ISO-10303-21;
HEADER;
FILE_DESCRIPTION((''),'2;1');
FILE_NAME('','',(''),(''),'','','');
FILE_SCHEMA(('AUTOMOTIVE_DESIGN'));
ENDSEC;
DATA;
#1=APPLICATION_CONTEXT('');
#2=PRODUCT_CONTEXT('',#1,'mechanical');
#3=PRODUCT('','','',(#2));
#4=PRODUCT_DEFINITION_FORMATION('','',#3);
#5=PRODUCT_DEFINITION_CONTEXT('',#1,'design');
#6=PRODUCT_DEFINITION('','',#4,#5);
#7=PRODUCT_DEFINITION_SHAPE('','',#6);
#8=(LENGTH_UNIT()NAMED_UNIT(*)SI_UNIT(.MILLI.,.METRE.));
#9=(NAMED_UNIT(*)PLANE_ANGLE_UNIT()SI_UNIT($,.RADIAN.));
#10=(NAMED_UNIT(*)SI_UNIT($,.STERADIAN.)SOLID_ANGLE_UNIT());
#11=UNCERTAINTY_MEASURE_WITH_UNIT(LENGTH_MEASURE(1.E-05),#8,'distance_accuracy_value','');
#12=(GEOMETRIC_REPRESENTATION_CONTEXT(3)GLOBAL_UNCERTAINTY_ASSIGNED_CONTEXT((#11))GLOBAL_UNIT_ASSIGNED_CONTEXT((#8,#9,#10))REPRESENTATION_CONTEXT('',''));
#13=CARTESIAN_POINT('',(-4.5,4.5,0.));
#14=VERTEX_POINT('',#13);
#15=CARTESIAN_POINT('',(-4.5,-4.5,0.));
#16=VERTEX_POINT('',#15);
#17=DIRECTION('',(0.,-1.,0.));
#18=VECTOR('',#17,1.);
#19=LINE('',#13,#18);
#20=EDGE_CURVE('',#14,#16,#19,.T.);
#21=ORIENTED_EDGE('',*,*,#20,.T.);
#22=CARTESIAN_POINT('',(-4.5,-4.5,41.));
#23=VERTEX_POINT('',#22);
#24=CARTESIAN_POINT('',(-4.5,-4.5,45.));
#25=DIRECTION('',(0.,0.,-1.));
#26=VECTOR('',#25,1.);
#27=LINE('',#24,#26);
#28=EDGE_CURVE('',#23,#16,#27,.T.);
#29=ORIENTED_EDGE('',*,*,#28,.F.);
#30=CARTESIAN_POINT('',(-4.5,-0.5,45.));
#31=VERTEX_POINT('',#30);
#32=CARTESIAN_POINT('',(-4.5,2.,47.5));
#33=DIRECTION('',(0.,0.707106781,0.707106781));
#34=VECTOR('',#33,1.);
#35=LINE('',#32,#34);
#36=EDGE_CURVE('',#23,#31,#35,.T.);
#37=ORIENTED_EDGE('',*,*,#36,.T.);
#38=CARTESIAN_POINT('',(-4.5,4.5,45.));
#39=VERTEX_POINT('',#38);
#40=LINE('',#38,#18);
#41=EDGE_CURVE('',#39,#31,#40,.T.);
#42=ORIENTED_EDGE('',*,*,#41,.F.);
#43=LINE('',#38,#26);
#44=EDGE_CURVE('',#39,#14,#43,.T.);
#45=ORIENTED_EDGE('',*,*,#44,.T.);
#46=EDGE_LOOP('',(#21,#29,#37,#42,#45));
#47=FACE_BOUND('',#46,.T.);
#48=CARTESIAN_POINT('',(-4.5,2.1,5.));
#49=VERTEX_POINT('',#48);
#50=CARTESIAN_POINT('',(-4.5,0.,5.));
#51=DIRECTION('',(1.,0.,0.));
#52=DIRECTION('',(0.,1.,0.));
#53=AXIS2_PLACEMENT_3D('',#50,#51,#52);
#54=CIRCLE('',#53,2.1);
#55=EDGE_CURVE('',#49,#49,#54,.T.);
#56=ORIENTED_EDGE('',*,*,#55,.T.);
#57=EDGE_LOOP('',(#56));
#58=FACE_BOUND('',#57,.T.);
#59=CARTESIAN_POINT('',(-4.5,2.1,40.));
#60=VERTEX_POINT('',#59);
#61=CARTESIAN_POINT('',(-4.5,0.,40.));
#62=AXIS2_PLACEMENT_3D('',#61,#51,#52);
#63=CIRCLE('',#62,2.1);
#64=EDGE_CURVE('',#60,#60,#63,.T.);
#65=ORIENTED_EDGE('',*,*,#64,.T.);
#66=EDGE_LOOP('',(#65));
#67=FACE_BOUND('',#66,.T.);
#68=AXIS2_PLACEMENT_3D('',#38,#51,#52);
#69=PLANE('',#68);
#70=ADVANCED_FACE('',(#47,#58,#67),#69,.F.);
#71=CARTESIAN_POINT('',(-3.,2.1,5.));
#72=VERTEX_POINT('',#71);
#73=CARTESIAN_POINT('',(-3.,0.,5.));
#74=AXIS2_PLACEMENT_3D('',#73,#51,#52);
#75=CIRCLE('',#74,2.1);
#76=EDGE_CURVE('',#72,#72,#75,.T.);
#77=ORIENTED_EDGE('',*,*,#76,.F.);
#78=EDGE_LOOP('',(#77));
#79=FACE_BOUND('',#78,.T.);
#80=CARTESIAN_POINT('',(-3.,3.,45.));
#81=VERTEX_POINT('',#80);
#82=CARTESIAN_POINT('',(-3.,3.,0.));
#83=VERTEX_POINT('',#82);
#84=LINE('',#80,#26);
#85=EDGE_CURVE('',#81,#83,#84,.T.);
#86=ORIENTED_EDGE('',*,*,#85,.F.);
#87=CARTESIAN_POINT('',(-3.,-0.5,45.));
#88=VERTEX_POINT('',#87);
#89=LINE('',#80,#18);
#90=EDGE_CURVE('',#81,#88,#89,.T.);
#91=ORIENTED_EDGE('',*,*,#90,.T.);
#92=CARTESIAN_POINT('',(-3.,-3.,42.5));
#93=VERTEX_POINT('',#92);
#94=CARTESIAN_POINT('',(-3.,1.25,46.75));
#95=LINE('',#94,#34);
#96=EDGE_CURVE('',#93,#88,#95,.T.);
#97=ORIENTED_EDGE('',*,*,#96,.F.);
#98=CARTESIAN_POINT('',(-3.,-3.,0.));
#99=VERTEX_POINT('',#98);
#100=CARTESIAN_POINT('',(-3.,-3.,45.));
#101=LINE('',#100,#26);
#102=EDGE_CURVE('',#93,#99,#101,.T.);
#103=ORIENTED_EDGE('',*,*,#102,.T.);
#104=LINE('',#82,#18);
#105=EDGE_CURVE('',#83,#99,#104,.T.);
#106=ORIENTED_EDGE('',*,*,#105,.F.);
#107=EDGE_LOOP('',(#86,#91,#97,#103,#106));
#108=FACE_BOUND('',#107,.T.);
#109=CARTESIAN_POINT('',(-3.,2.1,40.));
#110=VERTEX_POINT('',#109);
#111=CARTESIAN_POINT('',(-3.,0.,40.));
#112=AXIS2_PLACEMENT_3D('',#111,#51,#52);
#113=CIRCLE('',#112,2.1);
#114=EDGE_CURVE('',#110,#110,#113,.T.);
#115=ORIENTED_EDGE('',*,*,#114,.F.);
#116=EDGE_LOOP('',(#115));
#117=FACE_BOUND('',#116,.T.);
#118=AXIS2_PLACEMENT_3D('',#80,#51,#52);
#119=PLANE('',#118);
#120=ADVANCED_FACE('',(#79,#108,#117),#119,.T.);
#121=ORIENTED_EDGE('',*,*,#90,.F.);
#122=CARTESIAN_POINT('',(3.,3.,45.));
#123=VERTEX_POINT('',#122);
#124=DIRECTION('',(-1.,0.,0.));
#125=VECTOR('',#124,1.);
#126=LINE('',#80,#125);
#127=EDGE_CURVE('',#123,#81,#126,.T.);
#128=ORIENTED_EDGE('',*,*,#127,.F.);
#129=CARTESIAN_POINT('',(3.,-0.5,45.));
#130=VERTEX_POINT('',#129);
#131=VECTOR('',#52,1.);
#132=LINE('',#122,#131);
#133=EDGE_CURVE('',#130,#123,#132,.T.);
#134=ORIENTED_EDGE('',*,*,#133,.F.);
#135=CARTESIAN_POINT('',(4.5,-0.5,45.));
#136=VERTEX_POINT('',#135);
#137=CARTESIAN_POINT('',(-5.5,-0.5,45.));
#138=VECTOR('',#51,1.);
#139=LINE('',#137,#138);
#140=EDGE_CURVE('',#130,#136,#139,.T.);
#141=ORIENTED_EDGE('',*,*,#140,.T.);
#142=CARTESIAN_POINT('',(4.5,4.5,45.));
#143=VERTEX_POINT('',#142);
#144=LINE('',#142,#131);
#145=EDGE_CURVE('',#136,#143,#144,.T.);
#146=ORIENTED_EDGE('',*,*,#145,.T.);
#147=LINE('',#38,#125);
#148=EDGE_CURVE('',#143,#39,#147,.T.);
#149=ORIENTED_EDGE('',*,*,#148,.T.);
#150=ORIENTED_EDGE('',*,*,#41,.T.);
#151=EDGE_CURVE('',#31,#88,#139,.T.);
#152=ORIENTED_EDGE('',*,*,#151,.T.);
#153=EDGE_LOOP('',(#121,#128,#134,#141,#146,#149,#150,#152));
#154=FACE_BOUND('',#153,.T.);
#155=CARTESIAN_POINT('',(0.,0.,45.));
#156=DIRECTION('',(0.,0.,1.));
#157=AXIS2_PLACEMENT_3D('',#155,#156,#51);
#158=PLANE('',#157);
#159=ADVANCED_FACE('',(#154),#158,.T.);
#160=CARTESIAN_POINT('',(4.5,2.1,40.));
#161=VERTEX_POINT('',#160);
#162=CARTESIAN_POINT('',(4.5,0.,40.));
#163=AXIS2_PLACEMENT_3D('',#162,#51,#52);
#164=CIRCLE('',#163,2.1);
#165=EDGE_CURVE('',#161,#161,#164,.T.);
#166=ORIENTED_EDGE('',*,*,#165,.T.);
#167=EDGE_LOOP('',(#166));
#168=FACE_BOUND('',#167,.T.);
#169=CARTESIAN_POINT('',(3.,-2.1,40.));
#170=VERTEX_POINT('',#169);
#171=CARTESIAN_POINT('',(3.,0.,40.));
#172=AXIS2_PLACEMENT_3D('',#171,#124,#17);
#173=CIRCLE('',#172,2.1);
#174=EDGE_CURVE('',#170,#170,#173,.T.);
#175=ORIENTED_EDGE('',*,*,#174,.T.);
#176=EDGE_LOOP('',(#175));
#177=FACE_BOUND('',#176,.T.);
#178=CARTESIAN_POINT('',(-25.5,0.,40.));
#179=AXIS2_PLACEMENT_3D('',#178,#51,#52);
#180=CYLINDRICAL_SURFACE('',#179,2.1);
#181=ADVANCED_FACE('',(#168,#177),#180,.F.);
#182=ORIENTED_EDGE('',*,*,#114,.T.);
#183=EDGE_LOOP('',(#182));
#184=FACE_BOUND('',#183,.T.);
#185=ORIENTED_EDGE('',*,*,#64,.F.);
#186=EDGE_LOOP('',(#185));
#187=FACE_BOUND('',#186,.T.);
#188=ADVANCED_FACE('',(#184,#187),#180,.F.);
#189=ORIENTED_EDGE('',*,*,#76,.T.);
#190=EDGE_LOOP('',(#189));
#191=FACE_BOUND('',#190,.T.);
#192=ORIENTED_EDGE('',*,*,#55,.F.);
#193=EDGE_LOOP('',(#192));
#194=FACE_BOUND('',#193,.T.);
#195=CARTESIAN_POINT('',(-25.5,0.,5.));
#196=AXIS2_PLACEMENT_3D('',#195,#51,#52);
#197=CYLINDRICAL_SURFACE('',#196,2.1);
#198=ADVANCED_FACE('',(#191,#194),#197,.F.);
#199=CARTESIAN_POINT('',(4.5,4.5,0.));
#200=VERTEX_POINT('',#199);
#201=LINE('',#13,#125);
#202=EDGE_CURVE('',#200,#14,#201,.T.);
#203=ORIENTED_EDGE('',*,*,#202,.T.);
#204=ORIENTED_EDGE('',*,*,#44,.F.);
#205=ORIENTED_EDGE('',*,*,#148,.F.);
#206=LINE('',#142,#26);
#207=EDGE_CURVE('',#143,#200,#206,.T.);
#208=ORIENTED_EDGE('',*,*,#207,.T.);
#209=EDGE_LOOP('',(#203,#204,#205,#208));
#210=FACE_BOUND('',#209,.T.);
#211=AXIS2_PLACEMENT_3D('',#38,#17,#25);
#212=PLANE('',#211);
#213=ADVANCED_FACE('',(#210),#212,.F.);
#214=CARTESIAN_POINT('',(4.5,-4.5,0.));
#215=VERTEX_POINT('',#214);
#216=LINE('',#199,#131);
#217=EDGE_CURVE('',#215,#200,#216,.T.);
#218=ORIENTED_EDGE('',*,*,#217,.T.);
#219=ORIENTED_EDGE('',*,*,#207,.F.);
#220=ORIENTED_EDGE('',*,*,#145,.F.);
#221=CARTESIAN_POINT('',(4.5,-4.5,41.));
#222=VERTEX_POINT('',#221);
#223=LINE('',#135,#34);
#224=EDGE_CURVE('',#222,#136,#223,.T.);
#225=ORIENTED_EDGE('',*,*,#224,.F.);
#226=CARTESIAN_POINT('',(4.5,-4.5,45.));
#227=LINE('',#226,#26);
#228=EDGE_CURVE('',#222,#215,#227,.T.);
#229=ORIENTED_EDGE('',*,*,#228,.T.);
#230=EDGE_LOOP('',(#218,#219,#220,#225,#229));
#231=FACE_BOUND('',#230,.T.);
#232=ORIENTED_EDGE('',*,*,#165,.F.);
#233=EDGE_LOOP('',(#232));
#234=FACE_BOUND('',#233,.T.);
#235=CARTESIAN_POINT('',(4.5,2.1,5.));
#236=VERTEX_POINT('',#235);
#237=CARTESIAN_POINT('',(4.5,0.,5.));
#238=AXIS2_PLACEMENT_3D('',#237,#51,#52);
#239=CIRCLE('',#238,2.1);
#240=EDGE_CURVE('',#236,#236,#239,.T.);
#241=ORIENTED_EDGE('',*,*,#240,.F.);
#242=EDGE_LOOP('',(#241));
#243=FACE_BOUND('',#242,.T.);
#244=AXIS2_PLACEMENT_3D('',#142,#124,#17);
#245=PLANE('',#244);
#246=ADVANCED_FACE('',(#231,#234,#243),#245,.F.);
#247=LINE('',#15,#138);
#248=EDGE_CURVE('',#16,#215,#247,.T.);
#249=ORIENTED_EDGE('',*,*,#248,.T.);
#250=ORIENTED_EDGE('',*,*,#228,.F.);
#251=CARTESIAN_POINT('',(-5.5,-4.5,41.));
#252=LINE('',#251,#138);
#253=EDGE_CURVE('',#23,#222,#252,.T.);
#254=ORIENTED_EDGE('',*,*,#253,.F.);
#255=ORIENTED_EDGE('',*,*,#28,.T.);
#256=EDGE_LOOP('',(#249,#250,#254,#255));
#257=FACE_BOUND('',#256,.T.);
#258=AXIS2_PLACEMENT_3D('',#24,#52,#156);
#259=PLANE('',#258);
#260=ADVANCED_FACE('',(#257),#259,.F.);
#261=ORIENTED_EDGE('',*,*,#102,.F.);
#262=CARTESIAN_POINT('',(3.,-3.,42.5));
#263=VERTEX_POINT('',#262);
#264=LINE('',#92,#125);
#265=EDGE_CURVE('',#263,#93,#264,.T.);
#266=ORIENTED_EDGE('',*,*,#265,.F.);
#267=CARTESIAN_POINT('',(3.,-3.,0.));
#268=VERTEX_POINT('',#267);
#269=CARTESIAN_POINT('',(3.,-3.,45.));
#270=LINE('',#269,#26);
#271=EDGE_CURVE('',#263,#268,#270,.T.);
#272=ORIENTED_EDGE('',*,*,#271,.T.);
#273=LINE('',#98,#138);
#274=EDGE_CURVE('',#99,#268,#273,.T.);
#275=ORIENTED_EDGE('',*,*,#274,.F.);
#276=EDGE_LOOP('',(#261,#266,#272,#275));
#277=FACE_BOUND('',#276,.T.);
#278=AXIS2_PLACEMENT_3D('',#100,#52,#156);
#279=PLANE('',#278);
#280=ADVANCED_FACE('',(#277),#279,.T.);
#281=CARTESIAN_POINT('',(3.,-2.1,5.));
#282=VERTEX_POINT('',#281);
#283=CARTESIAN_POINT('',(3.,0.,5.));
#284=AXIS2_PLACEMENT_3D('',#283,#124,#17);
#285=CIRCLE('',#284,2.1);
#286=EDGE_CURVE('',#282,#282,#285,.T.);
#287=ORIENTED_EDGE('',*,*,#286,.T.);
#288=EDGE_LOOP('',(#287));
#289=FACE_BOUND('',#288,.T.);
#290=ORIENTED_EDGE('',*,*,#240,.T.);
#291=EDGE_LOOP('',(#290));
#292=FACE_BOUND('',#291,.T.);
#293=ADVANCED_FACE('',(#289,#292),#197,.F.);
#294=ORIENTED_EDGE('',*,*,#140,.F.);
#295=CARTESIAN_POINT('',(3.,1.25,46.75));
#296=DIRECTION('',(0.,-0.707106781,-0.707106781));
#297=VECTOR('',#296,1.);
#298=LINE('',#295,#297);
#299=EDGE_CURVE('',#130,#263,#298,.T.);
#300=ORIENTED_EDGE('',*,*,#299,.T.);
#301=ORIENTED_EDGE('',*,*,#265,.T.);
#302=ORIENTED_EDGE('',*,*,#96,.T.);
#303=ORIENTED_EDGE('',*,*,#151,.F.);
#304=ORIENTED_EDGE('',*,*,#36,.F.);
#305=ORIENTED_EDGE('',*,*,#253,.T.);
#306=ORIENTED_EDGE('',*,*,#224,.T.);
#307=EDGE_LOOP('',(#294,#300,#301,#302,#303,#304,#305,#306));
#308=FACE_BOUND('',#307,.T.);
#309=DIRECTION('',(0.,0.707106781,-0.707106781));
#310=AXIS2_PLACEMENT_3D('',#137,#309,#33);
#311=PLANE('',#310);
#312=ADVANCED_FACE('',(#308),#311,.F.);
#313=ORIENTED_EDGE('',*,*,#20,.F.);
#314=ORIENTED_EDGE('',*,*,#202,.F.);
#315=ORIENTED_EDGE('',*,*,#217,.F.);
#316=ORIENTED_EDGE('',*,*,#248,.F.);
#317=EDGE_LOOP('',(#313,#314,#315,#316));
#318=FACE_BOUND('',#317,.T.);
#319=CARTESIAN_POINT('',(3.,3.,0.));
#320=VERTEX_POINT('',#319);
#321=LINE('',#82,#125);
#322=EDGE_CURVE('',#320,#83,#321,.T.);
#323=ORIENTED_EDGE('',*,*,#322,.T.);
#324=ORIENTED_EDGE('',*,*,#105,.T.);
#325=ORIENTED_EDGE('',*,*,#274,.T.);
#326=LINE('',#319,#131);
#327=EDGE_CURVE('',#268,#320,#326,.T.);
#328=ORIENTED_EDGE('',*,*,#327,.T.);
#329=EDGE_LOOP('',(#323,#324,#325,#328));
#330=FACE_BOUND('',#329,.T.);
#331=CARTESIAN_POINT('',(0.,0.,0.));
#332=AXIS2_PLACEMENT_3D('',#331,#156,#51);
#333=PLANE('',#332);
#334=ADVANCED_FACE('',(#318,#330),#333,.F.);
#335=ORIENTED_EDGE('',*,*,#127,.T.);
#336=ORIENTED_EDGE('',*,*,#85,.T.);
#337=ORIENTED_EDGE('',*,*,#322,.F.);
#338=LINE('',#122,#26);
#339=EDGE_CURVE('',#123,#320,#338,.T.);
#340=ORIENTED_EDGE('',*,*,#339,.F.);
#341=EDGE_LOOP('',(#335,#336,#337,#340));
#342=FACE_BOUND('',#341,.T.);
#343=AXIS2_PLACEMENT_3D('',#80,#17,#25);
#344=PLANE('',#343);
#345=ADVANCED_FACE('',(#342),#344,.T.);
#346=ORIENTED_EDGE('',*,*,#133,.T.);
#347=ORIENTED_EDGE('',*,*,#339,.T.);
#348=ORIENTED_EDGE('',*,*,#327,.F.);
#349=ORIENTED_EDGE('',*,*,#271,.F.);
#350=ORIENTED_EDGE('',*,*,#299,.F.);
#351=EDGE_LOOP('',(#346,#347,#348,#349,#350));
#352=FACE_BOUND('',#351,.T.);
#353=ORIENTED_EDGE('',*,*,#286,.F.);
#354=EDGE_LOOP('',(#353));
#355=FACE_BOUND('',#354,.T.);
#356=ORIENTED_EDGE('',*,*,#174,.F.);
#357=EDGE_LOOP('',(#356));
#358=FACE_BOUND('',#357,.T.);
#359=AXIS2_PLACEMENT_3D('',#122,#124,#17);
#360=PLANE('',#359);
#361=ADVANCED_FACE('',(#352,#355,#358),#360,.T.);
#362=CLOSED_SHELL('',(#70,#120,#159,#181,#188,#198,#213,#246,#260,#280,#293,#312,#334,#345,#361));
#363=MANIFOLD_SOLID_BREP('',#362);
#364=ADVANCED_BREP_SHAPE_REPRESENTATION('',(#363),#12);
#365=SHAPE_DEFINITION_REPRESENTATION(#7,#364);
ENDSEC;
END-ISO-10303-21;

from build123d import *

# Parameters (mm, degrees)
SKETCH_1_W          = 9
SKETCH_1_H          = 9
SKETCH_1_W_2        = 6
SKETCH_1_H_2        = 6
EXTRUDE_1_DEPTH     = 45
SKETCH_2_R          = 2.1
CUT_EXTRUDE_1_DEPTH = 30
CUT_EXTRUDE_3_DEPTH = 10


with BuildPart() as part:
    # ｽｹｯﾁ1 → ﾎﾞｽ - 押し出し1 (new body)
    with BuildSketch(Plane.XY):
        Rectangle(SKETCH_1_W, SKETCH_1_H)
        Rectangle(SKETCH_1_W_2, SKETCH_1_H_2, mode=Mode.SUBTRACT)
    extrude(amount=EXTRUDE_1_DEPTH)

    # ｽｹｯﾁ2 → ｶｯﾄ - 押し出し1 (cut)
    with BuildSketch(Plane(origin=(4.5, 0, 0), x_dir=(0, 0, -1), z_dir=(1, 0, 0))):
        with Locations((-40, 0)):
            Circle(SKETCH_2_R)
        with Locations((-5, 0)):
            Circle(SKETCH_2_R)
    extrude(amount=-CUT_EXTRUDE_1_DEPTH, mode=Mode.SUBTRACT)

    # ｽｹｯﾁ3 → ｶｯﾄ - 押し出し3 (cut)
    with BuildSketch(Plane(origin=(4.5, 0, 0), x_dir=(0, 0, -1), z_dir=(1, 0, 0))):
        Polygon((-45, -4.5), (-45, -0.5), (-41, -4.5), align=None)
    extrude(amount=-CUT_EXTRUDE_3_DEPTH, mode=Mode.SUBTRACT)


solid = part.part
